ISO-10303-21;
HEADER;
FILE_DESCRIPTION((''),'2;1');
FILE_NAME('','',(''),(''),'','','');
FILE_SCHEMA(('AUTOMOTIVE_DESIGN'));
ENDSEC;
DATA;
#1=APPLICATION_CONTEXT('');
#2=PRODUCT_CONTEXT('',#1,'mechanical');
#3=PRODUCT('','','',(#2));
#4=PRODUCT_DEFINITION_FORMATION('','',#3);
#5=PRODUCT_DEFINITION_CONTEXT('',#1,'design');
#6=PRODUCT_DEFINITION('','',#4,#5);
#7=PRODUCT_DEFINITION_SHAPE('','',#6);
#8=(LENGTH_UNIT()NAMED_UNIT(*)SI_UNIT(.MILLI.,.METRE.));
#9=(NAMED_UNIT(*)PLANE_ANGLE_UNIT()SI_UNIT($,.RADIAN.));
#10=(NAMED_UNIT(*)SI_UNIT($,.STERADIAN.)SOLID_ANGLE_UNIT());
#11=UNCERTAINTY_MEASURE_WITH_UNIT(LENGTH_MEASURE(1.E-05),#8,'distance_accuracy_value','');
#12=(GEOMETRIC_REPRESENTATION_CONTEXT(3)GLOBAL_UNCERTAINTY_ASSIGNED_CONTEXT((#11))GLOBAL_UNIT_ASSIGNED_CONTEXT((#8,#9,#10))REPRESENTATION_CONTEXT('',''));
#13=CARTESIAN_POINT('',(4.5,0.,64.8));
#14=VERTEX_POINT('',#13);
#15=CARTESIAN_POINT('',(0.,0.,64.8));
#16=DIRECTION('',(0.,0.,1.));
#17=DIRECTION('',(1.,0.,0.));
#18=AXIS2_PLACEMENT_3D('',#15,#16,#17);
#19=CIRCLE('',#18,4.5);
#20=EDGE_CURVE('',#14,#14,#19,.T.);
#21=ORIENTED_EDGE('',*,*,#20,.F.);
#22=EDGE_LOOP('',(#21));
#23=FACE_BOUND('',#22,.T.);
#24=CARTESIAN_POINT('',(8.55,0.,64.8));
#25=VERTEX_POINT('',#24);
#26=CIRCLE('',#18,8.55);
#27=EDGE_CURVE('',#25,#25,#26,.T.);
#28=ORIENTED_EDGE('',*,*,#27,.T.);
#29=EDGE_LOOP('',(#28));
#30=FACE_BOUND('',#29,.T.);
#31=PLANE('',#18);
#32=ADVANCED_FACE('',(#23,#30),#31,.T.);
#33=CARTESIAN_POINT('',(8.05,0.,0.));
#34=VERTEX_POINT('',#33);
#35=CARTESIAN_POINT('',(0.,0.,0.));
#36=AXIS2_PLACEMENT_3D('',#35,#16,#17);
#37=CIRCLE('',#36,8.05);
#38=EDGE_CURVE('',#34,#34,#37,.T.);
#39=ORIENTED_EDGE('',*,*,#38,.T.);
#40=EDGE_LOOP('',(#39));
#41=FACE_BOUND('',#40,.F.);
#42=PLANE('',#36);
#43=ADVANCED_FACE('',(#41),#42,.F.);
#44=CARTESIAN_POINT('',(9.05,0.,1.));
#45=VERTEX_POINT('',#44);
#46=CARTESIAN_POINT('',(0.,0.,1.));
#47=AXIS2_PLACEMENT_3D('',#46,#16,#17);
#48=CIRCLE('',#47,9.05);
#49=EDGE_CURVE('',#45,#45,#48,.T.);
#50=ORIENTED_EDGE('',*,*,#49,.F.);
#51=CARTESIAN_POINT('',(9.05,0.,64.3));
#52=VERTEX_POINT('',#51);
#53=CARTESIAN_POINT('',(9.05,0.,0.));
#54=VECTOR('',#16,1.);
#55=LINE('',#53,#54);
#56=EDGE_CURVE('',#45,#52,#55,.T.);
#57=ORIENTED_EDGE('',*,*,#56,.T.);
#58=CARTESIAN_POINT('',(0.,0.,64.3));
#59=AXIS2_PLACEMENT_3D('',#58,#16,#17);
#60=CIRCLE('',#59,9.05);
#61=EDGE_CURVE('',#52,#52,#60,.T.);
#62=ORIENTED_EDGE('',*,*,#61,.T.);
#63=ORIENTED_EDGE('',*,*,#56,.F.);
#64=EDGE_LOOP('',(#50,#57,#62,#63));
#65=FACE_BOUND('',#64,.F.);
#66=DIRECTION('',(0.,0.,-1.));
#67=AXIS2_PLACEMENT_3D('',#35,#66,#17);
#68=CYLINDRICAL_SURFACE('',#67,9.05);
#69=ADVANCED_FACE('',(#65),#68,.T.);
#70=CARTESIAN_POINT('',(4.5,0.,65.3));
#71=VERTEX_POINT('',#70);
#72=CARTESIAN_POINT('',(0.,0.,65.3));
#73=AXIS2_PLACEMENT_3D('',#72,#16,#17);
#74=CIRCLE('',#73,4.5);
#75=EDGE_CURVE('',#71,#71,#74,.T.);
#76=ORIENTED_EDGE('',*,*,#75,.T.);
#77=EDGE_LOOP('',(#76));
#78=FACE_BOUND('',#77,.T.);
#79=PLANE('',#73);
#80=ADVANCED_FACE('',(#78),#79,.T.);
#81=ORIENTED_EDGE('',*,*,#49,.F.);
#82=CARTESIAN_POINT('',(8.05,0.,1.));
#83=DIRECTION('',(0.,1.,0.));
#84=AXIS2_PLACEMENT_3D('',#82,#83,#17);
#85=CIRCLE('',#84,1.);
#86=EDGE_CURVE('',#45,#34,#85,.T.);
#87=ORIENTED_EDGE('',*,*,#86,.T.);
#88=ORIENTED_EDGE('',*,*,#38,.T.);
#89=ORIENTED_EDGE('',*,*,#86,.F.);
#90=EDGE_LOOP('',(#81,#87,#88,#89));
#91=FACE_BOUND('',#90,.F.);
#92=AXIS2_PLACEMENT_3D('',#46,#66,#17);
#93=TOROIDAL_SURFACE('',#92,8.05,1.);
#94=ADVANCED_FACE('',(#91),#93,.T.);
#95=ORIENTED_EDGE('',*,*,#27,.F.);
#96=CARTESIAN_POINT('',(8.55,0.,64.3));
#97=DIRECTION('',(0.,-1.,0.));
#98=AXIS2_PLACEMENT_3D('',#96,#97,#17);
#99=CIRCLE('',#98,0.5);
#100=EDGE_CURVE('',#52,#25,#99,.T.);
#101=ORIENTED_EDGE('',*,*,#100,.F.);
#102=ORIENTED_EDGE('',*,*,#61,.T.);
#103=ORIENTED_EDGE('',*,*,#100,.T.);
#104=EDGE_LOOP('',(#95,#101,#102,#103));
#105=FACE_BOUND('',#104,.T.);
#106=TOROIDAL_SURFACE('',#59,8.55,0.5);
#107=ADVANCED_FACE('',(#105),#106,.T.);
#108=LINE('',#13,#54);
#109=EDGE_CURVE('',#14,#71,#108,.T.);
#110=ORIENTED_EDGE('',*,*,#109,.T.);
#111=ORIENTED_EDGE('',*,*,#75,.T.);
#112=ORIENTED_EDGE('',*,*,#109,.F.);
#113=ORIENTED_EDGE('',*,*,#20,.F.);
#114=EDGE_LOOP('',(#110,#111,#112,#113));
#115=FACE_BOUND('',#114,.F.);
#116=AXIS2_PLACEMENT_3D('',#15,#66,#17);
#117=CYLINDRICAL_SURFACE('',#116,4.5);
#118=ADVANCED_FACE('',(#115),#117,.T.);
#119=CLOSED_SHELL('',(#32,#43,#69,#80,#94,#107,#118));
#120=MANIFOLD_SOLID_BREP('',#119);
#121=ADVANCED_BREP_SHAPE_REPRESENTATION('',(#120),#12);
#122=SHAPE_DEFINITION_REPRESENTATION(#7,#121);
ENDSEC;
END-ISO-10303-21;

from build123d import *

# Parameters (mm, degrees)
F0_R     = 9.05
F1_DEPTH = 64.8
F2_R     = 1
F3_R     = 4.5
F4_DEPTH = 0.5
F5_R     = 0.5


with BuildPart() as f1:
    # F0 (on Top) → F1 (new body)
    with BuildSketch(Plane.XY):
        Circle(F0_R)
    extrude(amount=F1_DEPTH)

    # F2
    f2_edges = [f1.edges().sort_by_distance(p)[0] for p in [
        (-9.05, 0, 0),
    ]]
    fillet(f2_edges, radius=F2_R)

    # F3 (on face) → F4 (join)
    with BuildSketch(Plane.XY.offset(64.8)):
        Circle(F3_R)
    extrude(amount=F4_DEPTH)

    # F5
    f5_edges = [f1.edges().sort_by_distance(p)[0] for p in [
        (-9.05, 0, 64.8),
    ]]
    fillet(f5_edges, radius=F5_R)


solid = f1.part
